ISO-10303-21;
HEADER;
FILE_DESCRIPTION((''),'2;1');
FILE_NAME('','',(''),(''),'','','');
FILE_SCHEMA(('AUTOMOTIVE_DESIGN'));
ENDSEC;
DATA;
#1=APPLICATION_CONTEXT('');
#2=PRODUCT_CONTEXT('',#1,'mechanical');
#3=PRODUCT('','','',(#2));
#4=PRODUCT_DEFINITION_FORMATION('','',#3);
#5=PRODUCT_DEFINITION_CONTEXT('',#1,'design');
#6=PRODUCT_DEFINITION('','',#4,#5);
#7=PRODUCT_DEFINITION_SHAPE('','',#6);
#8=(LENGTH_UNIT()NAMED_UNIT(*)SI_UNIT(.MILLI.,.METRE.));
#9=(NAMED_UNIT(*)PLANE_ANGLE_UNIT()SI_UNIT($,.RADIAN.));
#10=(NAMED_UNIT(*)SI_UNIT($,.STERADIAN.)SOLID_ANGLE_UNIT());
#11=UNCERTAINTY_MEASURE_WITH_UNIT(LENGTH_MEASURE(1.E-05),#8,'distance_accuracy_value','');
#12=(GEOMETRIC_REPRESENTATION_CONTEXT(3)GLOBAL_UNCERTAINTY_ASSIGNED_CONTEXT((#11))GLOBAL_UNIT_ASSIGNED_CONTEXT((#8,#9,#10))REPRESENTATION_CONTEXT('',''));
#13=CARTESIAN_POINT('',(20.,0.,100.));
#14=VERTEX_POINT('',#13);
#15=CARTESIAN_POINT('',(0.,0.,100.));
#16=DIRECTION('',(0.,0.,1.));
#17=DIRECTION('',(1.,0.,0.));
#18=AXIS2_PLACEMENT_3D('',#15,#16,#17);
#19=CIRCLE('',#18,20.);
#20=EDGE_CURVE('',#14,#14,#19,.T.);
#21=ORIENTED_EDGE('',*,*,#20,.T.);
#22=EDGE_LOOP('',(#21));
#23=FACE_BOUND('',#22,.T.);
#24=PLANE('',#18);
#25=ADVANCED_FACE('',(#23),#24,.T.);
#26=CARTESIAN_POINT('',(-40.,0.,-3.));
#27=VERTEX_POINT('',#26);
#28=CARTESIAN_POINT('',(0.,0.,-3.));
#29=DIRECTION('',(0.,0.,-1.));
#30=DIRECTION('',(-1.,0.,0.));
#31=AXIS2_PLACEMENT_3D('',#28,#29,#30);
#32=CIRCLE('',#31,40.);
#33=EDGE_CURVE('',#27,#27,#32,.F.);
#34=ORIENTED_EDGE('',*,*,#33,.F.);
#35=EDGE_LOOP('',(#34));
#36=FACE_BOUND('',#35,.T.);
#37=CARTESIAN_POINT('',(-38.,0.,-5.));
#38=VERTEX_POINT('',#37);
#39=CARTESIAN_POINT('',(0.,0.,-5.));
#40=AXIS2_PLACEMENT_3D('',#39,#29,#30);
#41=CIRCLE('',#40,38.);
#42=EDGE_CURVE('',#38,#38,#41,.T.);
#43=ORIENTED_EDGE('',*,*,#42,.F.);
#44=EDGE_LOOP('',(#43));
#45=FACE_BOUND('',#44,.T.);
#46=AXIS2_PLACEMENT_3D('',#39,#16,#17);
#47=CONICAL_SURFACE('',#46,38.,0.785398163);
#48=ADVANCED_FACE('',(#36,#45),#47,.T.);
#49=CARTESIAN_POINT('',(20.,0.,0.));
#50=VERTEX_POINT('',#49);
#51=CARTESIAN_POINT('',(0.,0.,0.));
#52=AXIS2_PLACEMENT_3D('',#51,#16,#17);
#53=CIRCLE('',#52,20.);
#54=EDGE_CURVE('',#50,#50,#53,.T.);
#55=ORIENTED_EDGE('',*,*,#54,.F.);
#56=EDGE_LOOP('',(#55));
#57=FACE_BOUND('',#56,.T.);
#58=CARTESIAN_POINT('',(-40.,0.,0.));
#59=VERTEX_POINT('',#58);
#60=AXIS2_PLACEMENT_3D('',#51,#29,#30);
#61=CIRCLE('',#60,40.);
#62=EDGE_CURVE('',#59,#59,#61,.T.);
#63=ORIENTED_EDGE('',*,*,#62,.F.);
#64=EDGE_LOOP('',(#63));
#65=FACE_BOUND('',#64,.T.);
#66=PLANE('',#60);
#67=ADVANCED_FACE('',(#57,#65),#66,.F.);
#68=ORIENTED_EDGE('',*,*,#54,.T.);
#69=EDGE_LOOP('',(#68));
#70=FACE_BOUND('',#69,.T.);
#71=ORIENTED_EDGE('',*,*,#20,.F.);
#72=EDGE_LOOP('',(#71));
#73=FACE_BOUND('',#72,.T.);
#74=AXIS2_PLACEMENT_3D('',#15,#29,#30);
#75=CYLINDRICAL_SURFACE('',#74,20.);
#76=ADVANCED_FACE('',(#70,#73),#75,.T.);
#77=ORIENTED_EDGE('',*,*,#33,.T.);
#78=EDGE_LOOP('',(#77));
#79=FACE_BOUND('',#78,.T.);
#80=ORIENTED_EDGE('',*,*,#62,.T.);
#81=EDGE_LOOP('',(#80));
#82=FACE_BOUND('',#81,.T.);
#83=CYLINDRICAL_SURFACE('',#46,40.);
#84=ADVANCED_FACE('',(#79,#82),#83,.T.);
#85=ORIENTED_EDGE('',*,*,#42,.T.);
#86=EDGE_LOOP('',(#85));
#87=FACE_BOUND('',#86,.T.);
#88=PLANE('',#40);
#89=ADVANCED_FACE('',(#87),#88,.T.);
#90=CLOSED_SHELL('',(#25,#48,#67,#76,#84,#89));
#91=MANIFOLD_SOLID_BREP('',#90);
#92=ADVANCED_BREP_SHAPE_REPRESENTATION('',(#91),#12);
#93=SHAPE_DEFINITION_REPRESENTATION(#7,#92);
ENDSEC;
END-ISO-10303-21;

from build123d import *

# Parameters (mm, degrees)
SKETCH2_R           = 20
BOSS_EXTRUDE1_DEPTH = 100
SKETCH3_R           = 40
BOSS_EXTRUDE2_DEPTH = 5
CHAMFER1_SIZE       = 2


with BuildPart() as part:
    # Sketch2 → Boss-Extrude1 (new body)
    with BuildSketch(Plane.XY):
        Circle(SKETCH2_R)
    extrude(amount=BOSS_EXTRUDE1_DEPTH)

    # Sketch3 → Boss-Extrude2 (add)
    with BuildSketch(Plane(origin=(0, 0, 0), x_dir=(-1, 0, 0), z_dir=(0, 0, -1))):
        Circle(SKETCH3_R)
    extrude(amount=BOSS_EXTRUDE2_DEPTH)

    # Chamfer1
    chamfer1_edges = [part.edges().sort_by_distance(p)[0] for p in [
        (40, 0, -5),
    ]]
    chamfer(chamfer1_edges, length=CHAMFER1_SIZE)


solid = part.part
